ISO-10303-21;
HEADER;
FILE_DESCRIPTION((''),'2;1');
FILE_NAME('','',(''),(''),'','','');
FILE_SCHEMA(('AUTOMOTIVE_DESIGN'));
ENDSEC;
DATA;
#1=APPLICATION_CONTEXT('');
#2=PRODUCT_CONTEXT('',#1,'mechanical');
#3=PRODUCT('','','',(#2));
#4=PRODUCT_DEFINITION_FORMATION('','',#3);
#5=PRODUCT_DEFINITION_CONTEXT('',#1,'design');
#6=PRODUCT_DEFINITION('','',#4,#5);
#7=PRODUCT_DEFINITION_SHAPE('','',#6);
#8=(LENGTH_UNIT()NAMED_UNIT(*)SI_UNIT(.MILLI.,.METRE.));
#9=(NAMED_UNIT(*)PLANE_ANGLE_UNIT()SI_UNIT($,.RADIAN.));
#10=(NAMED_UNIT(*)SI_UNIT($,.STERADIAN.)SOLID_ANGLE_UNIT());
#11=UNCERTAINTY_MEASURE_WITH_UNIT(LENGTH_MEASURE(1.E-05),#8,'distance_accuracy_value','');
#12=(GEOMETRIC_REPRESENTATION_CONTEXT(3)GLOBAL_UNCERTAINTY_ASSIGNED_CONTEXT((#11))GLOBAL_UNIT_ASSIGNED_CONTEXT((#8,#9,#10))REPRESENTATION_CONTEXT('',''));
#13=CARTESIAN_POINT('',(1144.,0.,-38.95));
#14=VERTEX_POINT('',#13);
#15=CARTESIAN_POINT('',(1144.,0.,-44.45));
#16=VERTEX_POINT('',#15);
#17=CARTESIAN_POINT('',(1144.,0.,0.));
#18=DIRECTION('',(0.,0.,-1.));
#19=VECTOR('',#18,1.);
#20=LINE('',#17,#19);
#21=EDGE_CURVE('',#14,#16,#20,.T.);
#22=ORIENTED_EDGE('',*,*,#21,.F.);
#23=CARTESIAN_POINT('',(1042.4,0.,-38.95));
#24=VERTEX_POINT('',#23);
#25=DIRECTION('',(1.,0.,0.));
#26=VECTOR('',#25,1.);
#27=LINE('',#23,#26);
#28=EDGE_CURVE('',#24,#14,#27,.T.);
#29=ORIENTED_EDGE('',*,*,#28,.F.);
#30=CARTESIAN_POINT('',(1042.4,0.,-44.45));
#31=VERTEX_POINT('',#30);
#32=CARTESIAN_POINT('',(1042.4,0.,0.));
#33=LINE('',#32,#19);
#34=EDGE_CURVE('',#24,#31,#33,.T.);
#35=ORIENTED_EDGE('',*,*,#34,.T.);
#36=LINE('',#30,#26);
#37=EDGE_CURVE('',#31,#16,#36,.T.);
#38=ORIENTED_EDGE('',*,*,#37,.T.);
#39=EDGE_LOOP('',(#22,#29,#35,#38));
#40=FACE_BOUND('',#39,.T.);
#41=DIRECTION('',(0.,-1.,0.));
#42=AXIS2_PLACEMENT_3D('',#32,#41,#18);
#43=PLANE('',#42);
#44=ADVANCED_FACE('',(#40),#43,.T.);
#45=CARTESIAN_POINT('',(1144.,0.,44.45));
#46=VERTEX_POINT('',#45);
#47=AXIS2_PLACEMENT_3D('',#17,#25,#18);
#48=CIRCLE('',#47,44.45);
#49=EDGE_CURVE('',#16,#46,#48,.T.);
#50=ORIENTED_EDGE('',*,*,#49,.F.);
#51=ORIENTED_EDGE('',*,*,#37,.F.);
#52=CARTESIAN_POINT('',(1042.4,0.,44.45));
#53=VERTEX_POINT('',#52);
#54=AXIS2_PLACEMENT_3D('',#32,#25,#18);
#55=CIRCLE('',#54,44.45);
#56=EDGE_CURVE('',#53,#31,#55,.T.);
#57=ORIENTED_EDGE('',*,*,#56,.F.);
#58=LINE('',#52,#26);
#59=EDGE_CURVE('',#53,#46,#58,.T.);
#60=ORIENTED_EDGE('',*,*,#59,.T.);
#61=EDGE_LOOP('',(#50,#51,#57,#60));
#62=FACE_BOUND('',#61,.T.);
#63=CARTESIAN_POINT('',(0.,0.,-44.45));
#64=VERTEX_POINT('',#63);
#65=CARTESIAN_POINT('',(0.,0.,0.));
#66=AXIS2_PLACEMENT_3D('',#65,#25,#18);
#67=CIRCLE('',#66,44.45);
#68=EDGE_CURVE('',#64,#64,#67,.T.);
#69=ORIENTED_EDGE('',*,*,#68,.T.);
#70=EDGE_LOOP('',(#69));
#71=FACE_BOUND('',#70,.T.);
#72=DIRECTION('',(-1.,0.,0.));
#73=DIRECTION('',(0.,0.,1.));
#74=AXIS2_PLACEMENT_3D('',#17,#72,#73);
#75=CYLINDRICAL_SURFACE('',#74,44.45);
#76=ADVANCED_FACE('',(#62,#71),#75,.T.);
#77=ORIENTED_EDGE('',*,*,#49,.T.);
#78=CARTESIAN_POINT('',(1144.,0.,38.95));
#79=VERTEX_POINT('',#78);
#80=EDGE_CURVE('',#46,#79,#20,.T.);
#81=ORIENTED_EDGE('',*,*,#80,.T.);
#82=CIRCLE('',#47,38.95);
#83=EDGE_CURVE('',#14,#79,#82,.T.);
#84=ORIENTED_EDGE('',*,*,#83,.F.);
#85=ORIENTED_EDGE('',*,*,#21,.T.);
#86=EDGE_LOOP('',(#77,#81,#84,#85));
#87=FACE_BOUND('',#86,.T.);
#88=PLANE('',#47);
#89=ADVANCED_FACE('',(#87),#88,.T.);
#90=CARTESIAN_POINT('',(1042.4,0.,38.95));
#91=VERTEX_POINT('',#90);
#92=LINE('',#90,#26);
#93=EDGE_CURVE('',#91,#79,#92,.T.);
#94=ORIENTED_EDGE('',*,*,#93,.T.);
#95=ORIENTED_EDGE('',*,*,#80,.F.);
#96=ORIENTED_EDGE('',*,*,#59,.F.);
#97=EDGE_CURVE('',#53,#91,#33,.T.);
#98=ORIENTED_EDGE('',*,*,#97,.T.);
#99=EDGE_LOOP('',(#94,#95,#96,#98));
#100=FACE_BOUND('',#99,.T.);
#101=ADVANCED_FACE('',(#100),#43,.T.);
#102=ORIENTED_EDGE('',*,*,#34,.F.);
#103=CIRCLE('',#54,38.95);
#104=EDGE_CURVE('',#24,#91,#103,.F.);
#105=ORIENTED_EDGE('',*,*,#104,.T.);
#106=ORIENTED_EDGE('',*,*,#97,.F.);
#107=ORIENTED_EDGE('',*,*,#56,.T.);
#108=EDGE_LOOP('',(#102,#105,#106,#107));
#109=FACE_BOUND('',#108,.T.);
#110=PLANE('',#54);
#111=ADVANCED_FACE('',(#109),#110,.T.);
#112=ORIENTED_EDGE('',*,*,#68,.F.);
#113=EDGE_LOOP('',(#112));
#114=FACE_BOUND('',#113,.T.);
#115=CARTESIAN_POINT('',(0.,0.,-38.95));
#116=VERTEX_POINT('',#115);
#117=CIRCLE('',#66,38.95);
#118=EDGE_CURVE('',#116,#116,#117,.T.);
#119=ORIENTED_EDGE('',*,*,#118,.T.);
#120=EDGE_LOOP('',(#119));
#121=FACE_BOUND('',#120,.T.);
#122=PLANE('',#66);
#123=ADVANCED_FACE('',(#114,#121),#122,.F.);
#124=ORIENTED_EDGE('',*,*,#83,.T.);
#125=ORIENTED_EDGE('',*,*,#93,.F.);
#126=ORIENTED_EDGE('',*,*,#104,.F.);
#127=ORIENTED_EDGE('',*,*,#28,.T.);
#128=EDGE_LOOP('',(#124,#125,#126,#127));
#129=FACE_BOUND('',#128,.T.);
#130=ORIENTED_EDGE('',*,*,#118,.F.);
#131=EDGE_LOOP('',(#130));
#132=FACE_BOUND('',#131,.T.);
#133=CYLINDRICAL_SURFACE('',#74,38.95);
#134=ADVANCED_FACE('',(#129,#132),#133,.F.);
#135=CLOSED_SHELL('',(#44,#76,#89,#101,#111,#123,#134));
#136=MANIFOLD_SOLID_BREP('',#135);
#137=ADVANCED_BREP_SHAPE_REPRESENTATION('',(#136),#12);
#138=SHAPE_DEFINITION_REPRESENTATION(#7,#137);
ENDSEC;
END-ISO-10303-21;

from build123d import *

# Parameters (mm, degrees)
CROQUIS1_R              = 44.45
CROQUIS1_R_2            = 38.95
SALIENTE_EXTRUIR1_DEPTH = 1144
CORTAR_EXTRUIR1_START   = -101.6
CORTAR_EXTRUIR1_DEPTH   = 101.6


with BuildPart() as part:
    # Croquis1 → Saliente-Extruir1 (new body)
    with BuildSketch(Plane(origin=(0, 0, 0), x_dir=(0, 0, -1), z_dir=(1, 0, 0))):
        Circle(CROQUIS1_R)
        Circle(CROQUIS1_R_2, mode=Mode.SUBTRACT)
    extrude(amount=SALIENTE_EXTRUIR1_DEPTH)

    # Croquis3 → Cortar-Extruir1 (cut)
    with BuildSketch(Plane(origin=(1144, 0, 0), x_dir=(0, 0, -1), z_dir=(1, 0, 0)).offset(CORTAR_EXTRUIR1_START)):
        with BuildLine():
            Line((-44.45, 0), (-38.95, 0))
            ThreePointArc((-38.95, 0), (0, -38.95), (38.95, 0))
            Line((38.95, 0), (44.45, 0))
            ThreePointArc((44.45, 0), (0, -44.45), (-44.45, 0))
        make_face()
    extrude(amount=CORTAR_EXTRUIR1_DEPTH, mode=Mode.SUBTRACT)


solid = part.part
